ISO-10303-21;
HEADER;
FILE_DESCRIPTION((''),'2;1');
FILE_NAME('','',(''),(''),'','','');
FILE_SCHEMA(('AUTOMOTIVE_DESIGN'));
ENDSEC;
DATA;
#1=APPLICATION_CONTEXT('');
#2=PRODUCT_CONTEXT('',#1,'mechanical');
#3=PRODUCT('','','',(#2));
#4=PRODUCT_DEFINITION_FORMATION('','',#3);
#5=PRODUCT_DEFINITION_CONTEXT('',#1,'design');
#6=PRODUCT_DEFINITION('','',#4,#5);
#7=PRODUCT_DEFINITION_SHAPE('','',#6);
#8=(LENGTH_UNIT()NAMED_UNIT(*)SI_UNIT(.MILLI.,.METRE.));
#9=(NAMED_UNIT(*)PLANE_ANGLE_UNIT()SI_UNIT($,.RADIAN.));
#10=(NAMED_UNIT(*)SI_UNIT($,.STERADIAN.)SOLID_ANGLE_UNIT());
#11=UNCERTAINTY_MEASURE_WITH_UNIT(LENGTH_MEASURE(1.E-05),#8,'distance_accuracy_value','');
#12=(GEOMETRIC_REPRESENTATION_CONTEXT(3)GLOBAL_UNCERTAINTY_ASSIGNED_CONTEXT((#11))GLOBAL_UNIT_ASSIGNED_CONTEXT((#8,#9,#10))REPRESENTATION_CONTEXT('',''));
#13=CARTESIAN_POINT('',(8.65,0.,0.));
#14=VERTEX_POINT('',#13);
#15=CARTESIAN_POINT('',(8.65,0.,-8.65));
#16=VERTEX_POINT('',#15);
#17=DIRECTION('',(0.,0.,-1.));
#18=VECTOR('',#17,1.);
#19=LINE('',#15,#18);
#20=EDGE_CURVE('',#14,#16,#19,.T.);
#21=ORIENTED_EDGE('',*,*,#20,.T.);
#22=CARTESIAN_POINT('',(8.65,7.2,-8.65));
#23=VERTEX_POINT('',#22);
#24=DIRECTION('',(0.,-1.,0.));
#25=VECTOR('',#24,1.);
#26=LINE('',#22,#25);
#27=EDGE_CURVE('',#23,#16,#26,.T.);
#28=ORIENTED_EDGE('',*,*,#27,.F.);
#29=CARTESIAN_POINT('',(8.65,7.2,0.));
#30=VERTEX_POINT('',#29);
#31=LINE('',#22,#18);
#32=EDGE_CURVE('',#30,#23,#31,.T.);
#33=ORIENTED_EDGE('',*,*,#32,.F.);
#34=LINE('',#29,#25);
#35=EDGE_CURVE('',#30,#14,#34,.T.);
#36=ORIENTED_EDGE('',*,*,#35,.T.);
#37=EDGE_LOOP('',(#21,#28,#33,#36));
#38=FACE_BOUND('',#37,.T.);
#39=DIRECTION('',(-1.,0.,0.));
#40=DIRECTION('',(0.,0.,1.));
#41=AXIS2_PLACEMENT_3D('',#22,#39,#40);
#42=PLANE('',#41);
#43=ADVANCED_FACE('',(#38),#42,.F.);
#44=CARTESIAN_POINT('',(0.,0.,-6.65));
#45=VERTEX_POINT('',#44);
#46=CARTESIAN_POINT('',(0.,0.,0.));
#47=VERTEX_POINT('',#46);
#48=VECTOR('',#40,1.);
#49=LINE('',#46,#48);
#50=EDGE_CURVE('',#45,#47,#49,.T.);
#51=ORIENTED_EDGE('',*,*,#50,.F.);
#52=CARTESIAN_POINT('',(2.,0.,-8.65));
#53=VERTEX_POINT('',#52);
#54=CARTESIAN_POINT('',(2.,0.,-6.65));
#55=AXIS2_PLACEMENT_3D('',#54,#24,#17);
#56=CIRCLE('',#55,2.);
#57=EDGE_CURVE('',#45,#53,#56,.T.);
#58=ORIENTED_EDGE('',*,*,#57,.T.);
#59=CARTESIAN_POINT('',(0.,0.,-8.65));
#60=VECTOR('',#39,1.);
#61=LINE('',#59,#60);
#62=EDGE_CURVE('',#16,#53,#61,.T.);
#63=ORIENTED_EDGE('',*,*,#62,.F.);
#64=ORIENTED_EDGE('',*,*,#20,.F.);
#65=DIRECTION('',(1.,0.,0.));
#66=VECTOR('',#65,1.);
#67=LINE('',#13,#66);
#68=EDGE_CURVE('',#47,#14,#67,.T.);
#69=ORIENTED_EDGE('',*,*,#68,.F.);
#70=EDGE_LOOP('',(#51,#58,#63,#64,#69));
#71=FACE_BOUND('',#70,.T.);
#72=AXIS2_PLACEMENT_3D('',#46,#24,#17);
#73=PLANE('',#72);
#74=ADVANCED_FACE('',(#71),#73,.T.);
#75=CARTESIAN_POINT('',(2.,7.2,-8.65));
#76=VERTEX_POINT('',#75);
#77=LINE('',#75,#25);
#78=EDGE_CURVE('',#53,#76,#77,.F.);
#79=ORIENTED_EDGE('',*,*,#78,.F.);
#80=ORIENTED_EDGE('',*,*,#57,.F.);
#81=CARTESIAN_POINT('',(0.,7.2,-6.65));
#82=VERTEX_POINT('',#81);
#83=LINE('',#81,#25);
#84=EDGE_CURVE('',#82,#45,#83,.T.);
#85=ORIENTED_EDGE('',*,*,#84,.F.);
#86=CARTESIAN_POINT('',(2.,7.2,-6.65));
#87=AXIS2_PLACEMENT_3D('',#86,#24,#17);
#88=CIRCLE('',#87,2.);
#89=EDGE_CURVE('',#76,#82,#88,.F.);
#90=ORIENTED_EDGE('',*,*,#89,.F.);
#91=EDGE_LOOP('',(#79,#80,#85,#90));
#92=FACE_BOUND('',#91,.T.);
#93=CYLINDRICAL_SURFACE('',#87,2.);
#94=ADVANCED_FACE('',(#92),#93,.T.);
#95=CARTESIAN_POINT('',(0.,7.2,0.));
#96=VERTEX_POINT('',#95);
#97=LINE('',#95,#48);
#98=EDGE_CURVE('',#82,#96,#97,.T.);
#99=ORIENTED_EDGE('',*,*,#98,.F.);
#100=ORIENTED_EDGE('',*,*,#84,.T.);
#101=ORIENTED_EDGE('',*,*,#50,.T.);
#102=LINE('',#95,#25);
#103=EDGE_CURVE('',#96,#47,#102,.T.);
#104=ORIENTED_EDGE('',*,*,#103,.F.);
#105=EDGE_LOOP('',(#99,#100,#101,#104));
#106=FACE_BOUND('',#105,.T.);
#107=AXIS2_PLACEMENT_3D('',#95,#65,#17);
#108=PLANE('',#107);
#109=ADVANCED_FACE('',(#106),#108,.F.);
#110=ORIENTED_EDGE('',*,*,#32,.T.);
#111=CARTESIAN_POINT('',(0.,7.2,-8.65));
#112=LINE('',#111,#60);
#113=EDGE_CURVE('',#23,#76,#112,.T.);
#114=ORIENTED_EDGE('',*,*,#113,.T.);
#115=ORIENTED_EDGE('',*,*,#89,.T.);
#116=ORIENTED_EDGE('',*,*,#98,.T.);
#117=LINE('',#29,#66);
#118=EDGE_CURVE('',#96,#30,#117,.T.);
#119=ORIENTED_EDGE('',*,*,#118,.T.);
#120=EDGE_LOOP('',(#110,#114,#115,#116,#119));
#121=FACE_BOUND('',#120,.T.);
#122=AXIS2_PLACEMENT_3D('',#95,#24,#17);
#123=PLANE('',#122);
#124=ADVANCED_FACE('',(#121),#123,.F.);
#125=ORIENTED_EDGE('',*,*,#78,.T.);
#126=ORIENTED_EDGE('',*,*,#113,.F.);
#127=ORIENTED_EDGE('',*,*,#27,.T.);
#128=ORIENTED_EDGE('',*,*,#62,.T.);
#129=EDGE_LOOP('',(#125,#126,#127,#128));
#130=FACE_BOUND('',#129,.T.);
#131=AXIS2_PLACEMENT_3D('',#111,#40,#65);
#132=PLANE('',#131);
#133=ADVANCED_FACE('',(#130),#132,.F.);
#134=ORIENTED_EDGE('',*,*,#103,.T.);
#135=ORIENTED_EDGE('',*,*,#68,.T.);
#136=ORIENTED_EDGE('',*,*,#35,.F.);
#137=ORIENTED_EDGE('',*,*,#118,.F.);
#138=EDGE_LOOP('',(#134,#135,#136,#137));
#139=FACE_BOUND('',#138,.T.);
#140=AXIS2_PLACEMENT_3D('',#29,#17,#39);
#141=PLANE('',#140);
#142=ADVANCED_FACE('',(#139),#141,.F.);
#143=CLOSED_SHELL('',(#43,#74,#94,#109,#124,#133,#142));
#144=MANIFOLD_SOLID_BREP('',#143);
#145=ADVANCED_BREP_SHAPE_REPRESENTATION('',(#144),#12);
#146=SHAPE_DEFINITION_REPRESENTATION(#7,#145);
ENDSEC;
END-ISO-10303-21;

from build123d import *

# Parameters (mm, degrees)
SKETCH2_W           = 8.65
SKETCH2_H           = 8.65
BOSS_EXTRUDE1_DEPTH = 7.2
FILLET1_R           = 2


with BuildPart() as part:
    # Sketch2 → Boss-Extrude1 (new body)
    with BuildSketch(Plane(origin=(0, 0, 0), x_dir=(1, 0, 0), z_dir=(0, 1, 0))):
        with Locations((4.325, 4.325)):
            Rectangle(SKETCH2_W, SKETCH2_H)
    extrude(amount=BOSS_EXTRUDE1_DEPTH)

    # Fillet1
    fillet1_edges = [part.edges().sort_by_distance(p)[0] for p in [
        (0, 3.6, -8.65),
    ]]
    fillet(fillet1_edges, radius=FILLET1_R)


solid = part.part
